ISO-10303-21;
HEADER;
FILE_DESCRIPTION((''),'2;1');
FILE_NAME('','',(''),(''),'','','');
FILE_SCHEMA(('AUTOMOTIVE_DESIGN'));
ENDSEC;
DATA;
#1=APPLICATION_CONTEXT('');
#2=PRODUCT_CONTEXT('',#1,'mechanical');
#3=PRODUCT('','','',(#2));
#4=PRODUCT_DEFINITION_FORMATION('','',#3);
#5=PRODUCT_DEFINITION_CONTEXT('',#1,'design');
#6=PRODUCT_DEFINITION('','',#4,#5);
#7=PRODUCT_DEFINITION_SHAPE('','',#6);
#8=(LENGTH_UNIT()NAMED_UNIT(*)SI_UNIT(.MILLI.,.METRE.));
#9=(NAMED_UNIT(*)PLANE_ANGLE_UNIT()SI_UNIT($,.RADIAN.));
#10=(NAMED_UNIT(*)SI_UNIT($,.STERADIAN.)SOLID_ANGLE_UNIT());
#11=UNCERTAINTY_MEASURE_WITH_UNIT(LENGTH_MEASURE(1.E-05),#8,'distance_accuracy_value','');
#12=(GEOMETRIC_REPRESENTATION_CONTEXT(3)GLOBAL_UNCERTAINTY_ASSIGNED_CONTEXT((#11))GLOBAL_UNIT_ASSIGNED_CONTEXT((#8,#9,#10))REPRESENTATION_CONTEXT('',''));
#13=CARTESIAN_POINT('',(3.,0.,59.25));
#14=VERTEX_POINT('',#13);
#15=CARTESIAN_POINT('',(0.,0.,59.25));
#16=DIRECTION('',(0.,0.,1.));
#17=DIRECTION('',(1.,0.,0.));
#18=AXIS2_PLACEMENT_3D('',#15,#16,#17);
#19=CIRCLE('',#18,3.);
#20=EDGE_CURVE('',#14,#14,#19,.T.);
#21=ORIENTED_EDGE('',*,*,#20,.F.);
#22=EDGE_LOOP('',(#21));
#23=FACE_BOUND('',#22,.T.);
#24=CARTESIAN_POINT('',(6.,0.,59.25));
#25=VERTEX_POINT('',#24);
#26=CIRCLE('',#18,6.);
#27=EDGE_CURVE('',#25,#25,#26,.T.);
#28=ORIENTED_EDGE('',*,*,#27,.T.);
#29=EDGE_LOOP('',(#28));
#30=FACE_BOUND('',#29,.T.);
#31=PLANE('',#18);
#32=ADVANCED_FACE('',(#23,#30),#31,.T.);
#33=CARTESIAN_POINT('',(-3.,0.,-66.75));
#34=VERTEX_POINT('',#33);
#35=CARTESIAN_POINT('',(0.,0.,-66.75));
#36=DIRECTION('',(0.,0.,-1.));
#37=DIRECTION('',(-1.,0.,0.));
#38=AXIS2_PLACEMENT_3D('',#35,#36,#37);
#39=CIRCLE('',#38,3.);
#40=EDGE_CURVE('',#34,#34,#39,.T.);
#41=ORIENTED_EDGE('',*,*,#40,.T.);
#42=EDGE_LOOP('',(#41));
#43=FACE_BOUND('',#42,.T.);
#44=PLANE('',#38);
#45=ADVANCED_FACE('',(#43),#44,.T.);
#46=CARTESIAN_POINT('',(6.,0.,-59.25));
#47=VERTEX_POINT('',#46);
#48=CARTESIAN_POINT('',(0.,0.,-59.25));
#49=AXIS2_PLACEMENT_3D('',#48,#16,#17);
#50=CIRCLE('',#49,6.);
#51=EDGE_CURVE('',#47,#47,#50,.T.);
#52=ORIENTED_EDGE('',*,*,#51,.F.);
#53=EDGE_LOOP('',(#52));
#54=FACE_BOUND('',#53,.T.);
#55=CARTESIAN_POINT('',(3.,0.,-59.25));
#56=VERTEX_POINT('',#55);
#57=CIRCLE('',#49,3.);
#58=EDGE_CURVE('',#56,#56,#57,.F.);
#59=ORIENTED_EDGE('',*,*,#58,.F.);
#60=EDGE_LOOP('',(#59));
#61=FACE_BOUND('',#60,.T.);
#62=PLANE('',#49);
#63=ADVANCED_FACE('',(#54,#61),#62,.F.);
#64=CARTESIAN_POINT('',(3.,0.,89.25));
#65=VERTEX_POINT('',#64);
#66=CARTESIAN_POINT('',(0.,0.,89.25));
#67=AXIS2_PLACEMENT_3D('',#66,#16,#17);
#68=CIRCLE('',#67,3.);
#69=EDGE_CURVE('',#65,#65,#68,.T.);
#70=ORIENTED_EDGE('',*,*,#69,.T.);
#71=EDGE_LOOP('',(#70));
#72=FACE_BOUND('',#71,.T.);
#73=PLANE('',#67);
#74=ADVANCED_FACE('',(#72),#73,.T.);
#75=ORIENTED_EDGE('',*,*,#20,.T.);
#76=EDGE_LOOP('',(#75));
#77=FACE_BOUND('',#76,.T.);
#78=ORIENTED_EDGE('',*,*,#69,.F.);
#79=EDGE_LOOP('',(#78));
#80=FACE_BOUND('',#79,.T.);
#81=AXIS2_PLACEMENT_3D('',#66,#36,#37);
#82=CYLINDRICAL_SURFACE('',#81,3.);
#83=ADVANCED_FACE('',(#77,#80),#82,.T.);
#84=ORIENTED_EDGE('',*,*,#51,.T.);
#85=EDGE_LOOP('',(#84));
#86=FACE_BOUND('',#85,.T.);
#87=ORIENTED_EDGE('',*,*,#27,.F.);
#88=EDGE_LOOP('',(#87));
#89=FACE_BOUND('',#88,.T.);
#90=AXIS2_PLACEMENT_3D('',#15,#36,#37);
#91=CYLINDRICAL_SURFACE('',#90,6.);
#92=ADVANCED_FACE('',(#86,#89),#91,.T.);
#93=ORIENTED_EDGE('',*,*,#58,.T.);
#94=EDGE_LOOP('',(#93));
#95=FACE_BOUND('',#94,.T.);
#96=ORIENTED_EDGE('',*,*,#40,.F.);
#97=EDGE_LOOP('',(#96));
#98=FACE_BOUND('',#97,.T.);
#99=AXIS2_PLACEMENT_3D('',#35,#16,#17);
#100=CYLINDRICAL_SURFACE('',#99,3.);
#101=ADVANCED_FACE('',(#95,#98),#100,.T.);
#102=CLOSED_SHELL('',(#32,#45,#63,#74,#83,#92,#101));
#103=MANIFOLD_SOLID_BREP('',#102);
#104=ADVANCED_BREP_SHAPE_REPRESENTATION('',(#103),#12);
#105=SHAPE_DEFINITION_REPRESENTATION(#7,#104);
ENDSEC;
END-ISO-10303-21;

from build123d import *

# Parameters (mm, degrees)
SKETCH1_R           = 6
BOSS_EXTRUDE1_DEPTH = 59.25
SKETCH3_R           = 3
BOSS_EXTRUDE3_DEPTH = 7.5
BOSS_EXTRUDE4_START = 30
SKETCH2_R           = 3
BOSS_EXTRUDE4_DEPTH = 30


with BuildPart() as part:
    # Sketch1 → Boss-Extrude1 (new, symmetric)
    with BuildSketch(Plane.XY):
        Circle(SKETCH1_R)
    extrude(amount=BOSS_EXTRUDE1_DEPTH, both=True)

    # Sketch3 → Boss-Extrude3 (add)
    with BuildSketch(Plane(origin=(0, 0, -59.25), x_dir=(-1, 0, 0), z_dir=(0, 0, -1))):
        with Locations(Location((0, 0, 0), (0, 0, 180))):
            Circle(SKETCH3_R)
    extrude(amount=BOSS_EXTRUDE3_DEPTH)

    # Sketch2 → Boss-Extrude4 (add)
    with BuildSketch(Plane.XY.offset(59.25).offset(BOSS_EXTRUDE4_START)):
        Circle(SKETCH2_R)
    extrude(amount=-BOSS_EXTRUDE4_DEPTH)


solid = part.part
